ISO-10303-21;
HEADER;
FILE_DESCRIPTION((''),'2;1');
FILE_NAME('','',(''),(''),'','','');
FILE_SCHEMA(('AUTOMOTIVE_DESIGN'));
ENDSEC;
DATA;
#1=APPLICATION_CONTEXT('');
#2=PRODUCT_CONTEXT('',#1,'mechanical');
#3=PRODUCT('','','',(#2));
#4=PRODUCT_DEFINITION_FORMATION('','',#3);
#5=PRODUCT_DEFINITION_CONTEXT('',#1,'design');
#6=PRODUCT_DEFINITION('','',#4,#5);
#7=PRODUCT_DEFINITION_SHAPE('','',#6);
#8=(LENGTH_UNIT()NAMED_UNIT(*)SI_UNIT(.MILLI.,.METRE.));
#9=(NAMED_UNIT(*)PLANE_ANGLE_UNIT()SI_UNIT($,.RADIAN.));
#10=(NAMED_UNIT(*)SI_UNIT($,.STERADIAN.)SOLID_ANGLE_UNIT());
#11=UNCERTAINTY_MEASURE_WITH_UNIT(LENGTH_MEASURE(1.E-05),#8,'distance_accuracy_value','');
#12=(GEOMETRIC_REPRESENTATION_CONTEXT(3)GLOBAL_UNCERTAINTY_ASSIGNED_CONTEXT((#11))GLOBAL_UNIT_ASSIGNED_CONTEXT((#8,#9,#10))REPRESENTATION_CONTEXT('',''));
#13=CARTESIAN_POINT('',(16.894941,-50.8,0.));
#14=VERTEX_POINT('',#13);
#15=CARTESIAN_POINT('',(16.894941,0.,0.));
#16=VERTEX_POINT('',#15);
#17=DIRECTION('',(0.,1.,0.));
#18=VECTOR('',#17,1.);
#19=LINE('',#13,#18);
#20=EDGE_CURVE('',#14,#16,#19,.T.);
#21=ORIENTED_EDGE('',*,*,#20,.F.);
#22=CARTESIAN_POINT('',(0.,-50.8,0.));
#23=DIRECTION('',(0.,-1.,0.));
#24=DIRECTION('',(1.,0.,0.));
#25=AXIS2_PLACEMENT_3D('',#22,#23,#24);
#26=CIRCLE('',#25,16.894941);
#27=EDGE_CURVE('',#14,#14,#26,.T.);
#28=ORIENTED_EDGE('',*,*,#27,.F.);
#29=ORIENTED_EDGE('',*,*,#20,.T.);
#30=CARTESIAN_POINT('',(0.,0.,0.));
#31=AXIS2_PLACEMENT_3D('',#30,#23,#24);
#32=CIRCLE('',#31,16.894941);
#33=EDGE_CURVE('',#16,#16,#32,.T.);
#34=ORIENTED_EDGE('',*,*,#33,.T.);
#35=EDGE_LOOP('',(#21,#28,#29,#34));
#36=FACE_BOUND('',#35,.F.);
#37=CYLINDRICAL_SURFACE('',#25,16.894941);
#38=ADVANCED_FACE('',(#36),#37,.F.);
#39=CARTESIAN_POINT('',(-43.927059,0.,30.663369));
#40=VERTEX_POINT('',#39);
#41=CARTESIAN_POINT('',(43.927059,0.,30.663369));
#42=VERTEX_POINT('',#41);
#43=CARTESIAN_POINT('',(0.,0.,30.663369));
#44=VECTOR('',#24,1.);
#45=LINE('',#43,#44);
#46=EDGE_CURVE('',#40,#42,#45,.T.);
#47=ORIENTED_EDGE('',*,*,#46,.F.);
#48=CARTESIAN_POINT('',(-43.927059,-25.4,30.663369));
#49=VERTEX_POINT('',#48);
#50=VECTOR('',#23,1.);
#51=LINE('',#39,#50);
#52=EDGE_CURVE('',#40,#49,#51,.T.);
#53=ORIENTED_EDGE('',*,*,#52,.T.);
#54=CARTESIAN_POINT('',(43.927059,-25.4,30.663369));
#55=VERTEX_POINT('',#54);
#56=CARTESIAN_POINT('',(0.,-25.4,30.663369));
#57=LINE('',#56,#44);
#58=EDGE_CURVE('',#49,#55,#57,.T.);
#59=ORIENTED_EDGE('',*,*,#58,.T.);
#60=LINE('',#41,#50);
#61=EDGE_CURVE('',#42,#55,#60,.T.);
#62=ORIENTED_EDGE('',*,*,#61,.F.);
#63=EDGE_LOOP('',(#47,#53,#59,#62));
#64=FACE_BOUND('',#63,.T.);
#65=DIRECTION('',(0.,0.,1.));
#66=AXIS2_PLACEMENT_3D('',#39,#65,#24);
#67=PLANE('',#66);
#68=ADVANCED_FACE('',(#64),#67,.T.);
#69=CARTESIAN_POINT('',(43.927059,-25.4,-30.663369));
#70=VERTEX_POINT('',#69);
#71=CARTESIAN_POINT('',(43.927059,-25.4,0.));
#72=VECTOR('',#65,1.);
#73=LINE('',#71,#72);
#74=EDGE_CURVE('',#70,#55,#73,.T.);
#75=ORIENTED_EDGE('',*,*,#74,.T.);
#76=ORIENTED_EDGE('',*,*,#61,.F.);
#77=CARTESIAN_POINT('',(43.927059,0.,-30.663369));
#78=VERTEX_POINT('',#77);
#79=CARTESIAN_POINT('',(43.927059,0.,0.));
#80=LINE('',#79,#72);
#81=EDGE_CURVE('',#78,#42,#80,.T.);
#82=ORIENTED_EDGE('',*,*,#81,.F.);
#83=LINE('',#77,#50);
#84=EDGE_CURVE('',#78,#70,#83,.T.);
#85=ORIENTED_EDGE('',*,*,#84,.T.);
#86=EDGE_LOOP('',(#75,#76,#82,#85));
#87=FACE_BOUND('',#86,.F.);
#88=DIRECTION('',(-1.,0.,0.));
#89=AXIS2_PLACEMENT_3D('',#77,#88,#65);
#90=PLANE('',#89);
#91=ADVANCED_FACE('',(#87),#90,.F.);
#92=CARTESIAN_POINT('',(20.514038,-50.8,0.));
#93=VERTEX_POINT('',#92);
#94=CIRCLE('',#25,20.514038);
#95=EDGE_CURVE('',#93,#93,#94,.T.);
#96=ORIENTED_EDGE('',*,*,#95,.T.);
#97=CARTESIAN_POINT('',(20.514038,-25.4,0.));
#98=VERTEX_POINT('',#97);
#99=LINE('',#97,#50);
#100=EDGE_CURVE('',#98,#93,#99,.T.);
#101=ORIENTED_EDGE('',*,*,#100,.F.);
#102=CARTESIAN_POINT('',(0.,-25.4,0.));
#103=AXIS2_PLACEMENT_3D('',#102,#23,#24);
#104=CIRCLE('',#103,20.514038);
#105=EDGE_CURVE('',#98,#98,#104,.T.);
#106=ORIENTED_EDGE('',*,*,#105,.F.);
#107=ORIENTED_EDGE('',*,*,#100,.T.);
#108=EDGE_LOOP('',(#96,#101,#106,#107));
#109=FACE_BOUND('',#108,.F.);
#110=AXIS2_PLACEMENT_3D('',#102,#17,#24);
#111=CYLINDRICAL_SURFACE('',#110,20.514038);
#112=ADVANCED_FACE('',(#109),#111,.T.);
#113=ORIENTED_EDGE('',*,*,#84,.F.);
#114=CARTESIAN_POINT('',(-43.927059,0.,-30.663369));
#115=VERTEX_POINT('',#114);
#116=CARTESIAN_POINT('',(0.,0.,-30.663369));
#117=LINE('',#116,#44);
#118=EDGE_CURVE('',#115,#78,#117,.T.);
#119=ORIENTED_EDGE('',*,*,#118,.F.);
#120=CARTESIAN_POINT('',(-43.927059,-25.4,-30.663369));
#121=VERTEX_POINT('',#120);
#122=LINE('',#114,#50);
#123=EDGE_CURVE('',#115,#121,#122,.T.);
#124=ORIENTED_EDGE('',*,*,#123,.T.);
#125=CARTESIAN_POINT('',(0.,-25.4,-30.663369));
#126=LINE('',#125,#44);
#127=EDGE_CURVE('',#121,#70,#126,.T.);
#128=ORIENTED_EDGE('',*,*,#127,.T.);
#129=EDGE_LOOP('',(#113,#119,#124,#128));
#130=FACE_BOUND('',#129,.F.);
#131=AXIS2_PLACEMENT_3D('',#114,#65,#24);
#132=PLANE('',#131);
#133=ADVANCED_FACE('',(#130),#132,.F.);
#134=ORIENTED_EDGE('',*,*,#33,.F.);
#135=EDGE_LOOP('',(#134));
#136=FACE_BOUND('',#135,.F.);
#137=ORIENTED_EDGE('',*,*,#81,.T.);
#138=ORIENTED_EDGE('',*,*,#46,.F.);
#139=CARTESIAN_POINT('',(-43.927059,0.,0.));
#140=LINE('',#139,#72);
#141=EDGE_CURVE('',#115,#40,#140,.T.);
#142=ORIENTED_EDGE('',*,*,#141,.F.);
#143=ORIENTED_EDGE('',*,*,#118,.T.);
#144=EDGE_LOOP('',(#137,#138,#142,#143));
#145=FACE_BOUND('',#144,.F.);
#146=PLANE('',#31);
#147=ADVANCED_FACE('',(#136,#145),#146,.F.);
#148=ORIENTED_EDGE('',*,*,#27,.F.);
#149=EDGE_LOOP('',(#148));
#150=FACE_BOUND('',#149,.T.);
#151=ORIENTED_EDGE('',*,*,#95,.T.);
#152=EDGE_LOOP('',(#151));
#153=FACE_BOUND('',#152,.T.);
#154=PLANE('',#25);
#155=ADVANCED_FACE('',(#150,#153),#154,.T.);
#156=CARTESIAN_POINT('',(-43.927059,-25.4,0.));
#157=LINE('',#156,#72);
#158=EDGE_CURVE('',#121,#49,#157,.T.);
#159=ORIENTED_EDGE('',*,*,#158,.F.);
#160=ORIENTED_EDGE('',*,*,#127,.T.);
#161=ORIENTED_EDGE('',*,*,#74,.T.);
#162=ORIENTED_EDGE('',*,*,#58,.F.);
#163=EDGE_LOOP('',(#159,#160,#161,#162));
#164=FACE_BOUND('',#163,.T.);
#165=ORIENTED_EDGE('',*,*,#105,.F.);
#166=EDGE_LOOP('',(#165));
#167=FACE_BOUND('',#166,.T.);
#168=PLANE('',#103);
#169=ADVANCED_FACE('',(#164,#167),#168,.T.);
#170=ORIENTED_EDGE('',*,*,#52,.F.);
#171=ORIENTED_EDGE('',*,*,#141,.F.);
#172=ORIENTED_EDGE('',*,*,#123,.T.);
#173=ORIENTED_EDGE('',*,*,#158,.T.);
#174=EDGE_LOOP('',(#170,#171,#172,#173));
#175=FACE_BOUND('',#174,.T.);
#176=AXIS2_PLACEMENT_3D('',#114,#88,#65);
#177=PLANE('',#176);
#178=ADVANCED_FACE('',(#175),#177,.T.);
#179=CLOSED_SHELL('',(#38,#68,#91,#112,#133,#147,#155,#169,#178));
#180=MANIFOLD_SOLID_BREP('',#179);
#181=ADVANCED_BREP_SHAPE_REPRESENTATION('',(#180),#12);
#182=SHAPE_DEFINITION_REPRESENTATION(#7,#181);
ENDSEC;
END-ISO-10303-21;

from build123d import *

# Parameters (mm, degrees)
F0_W     = 87.854118
F0_H     = 61.326738
F1_DEPTH = 25.4
F2_R     = 20.514038
F3_DEPTH = 25.4
F4_R     = 15.848833
F5_DEPTH = 50.8
F6_R     = 16.894941
F7_DEPTH = 76.2


with BuildPart() as f1:
    # F0 (on Front) → F1 (new body)
    with BuildSketch(Plane.XZ):
        Rectangle(F0_W, F0_H)
    extrude(amount=F1_DEPTH)

    # F2 (on face) → F3 (join)
    with BuildSketch(Plane.XZ.offset(25.4)):
        Circle(F2_R)
    extrude(amount=F3_DEPTH)

    # F4 (on Front) → F5 (cut)
    with BuildSketch(Plane.XZ):
        Circle(F4_R)
    extrude(amount=-F5_DEPTH, mode=Mode.SUBTRACT)

    # F6 (on face) → F7 (cut)
    with BuildSketch(Plane.XZ.offset(50.8)):
        Circle(F6_R)
    extrude(amount=-F7_DEPTH, mode=Mode.SUBTRACT)


solid = f1.part
